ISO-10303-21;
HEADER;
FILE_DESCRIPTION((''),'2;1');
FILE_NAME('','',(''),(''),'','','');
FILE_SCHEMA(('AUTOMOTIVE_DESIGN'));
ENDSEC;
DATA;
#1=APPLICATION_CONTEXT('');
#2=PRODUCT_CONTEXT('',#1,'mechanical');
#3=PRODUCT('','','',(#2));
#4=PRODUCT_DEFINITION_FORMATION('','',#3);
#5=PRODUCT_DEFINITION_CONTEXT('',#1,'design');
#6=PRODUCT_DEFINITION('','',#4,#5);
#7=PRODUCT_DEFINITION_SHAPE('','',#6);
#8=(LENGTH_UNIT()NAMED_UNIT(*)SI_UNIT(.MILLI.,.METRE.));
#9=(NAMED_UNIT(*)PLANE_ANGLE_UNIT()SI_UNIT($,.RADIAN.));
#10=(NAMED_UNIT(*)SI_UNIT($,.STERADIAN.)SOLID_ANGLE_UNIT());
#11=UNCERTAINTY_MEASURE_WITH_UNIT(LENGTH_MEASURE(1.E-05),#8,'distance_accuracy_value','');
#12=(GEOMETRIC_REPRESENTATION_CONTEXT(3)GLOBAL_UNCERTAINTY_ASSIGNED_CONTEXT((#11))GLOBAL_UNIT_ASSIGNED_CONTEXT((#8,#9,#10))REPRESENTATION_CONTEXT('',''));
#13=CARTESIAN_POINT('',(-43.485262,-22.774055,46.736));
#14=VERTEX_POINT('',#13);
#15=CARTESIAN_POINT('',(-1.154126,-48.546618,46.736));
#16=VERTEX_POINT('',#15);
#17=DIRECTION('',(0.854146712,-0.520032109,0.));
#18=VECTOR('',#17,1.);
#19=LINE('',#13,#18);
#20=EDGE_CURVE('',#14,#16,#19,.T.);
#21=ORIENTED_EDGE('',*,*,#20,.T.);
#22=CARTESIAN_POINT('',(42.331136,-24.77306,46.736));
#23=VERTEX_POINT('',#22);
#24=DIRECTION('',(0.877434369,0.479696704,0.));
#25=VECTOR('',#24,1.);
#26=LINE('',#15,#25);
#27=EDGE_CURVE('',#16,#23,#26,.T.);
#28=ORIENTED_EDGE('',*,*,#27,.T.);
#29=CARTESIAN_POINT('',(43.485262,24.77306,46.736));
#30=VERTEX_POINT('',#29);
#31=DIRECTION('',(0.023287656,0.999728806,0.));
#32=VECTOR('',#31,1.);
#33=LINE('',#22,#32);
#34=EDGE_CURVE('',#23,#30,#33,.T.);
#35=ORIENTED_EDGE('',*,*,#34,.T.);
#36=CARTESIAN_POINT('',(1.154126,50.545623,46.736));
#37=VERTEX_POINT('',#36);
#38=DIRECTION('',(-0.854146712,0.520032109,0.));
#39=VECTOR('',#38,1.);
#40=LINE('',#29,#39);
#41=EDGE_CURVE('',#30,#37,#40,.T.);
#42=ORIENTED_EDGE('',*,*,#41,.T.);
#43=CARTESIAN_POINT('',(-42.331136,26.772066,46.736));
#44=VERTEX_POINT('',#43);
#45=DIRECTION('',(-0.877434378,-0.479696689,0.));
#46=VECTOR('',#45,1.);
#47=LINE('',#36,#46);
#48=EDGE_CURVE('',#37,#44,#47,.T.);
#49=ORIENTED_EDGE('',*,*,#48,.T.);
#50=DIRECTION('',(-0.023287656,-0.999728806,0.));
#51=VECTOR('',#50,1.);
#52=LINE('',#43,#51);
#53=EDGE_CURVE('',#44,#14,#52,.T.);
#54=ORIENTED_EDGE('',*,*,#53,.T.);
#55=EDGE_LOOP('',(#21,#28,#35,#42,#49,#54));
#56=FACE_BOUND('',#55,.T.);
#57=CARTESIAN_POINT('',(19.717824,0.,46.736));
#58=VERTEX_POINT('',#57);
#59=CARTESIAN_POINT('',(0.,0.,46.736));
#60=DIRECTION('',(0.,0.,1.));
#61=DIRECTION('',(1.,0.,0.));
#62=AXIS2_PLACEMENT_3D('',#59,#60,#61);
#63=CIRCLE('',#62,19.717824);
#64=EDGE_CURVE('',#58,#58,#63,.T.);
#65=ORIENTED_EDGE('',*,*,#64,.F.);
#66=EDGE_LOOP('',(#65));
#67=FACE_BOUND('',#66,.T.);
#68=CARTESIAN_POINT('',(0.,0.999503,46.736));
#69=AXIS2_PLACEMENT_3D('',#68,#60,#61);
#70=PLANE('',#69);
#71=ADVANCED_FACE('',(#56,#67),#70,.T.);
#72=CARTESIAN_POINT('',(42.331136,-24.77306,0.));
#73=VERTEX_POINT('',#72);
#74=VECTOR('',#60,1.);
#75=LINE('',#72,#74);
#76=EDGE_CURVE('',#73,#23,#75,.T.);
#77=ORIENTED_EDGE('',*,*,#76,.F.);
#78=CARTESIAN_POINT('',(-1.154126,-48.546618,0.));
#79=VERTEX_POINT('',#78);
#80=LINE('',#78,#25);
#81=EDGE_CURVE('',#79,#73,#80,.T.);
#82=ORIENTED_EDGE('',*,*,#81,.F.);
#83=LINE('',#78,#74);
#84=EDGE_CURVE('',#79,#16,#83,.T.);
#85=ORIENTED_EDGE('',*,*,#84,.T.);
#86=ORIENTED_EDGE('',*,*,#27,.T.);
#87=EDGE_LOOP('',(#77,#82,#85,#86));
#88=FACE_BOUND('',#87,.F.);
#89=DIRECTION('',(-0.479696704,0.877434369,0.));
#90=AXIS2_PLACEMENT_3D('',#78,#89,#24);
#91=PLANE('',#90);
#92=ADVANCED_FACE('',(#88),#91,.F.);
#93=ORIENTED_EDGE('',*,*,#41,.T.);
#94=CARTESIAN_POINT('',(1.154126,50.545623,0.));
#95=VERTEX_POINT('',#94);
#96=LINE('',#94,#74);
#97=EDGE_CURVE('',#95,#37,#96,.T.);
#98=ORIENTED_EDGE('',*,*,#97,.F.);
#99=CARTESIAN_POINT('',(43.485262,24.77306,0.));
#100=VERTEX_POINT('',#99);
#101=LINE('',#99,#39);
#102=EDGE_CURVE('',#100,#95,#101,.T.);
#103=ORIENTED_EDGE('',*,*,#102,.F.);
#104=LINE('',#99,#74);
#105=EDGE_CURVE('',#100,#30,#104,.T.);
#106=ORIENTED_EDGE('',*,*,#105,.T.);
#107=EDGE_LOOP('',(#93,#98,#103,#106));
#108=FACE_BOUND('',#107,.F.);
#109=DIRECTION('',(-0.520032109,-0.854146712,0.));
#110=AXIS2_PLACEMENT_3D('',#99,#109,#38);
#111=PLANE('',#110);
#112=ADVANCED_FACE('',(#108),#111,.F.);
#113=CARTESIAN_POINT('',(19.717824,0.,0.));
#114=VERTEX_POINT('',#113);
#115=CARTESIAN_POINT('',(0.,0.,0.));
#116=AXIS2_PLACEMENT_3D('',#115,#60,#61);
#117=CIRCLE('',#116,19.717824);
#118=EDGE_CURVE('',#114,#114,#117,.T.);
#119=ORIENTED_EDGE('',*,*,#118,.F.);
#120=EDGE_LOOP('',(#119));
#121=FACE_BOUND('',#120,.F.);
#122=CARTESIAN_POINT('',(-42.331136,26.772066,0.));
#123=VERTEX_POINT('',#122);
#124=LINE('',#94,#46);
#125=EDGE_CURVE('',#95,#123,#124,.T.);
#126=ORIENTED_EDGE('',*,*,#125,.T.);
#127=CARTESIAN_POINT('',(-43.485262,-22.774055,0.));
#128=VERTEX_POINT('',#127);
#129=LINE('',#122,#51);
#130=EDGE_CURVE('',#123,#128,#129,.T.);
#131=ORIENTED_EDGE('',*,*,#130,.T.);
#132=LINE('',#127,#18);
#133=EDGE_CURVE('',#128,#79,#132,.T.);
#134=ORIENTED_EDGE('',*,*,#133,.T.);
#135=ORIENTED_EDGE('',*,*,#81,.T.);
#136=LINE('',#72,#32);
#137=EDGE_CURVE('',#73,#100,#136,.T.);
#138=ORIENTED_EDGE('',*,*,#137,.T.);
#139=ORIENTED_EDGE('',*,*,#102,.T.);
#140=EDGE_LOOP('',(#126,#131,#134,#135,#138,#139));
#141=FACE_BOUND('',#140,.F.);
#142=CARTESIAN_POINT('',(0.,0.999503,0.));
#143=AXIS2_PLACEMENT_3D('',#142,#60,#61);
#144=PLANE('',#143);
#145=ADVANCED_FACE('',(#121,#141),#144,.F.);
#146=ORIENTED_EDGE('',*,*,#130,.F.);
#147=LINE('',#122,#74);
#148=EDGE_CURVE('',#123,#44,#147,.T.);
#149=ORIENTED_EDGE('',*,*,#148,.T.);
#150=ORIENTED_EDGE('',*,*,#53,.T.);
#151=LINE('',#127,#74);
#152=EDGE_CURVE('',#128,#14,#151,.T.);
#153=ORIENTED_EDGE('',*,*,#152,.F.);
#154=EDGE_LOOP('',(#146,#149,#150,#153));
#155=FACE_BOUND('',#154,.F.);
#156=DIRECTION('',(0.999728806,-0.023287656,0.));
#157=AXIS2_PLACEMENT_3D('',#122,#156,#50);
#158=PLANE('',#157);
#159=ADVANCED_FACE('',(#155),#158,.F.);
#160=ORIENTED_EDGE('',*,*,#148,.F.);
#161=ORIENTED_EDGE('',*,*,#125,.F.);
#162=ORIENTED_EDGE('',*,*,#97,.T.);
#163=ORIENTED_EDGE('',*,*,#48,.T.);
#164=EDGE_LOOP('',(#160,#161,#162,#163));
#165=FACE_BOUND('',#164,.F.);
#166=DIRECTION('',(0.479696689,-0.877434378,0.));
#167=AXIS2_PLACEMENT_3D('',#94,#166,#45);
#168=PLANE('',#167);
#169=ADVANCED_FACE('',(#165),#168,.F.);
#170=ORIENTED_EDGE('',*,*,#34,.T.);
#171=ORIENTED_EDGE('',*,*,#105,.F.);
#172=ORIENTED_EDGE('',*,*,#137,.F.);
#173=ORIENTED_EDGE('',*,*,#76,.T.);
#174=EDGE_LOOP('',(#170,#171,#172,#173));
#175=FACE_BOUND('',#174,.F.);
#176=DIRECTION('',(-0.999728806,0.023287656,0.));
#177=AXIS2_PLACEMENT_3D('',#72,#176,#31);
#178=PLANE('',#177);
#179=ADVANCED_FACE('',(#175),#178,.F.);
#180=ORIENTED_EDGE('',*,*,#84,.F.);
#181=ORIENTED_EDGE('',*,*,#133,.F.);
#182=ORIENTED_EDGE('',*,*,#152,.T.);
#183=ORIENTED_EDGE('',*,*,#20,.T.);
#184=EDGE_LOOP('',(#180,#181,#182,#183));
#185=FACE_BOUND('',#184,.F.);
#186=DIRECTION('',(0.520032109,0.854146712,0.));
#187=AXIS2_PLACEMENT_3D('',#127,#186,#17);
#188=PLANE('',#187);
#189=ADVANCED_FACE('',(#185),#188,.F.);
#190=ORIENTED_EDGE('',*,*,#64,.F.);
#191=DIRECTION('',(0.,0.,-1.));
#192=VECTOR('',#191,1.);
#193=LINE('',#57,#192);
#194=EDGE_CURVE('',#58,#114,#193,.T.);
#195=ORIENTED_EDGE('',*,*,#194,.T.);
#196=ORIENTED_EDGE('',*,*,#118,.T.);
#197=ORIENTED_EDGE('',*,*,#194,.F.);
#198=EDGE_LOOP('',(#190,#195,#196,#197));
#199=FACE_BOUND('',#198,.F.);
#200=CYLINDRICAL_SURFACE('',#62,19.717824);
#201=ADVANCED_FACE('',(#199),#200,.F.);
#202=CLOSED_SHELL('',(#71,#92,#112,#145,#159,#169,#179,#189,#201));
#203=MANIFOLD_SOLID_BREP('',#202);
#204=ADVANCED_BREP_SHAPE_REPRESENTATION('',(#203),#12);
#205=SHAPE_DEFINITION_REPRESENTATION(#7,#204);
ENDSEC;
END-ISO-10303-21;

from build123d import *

# Parameters (mm, degrees)
F1_DEPTH = 46.736
F2_R     = 19.717824
F3_DEPTH = 46.736


with BuildPart() as f1:
    # F0 (on Top) → F1 (new body)
    with BuildSketch(Plane.XY):
        Polygon((42.331136, -24.77306), (43.485262, 24.77306), (1.154126, 50.545623), (-42.331136, 26.772066), (-43.485262, -22.774055), (-1.154126, -48.546618), align=None)
    extrude(amount=F1_DEPTH)

    # F2 (on face) → F3 (cut, through all)
    with BuildSketch(Plane.XY.offset(46.736)):
        Circle(F2_R)
    extrude(amount=-F3_DEPTH, mode=Mode.SUBTRACT)


solid = f1.part
